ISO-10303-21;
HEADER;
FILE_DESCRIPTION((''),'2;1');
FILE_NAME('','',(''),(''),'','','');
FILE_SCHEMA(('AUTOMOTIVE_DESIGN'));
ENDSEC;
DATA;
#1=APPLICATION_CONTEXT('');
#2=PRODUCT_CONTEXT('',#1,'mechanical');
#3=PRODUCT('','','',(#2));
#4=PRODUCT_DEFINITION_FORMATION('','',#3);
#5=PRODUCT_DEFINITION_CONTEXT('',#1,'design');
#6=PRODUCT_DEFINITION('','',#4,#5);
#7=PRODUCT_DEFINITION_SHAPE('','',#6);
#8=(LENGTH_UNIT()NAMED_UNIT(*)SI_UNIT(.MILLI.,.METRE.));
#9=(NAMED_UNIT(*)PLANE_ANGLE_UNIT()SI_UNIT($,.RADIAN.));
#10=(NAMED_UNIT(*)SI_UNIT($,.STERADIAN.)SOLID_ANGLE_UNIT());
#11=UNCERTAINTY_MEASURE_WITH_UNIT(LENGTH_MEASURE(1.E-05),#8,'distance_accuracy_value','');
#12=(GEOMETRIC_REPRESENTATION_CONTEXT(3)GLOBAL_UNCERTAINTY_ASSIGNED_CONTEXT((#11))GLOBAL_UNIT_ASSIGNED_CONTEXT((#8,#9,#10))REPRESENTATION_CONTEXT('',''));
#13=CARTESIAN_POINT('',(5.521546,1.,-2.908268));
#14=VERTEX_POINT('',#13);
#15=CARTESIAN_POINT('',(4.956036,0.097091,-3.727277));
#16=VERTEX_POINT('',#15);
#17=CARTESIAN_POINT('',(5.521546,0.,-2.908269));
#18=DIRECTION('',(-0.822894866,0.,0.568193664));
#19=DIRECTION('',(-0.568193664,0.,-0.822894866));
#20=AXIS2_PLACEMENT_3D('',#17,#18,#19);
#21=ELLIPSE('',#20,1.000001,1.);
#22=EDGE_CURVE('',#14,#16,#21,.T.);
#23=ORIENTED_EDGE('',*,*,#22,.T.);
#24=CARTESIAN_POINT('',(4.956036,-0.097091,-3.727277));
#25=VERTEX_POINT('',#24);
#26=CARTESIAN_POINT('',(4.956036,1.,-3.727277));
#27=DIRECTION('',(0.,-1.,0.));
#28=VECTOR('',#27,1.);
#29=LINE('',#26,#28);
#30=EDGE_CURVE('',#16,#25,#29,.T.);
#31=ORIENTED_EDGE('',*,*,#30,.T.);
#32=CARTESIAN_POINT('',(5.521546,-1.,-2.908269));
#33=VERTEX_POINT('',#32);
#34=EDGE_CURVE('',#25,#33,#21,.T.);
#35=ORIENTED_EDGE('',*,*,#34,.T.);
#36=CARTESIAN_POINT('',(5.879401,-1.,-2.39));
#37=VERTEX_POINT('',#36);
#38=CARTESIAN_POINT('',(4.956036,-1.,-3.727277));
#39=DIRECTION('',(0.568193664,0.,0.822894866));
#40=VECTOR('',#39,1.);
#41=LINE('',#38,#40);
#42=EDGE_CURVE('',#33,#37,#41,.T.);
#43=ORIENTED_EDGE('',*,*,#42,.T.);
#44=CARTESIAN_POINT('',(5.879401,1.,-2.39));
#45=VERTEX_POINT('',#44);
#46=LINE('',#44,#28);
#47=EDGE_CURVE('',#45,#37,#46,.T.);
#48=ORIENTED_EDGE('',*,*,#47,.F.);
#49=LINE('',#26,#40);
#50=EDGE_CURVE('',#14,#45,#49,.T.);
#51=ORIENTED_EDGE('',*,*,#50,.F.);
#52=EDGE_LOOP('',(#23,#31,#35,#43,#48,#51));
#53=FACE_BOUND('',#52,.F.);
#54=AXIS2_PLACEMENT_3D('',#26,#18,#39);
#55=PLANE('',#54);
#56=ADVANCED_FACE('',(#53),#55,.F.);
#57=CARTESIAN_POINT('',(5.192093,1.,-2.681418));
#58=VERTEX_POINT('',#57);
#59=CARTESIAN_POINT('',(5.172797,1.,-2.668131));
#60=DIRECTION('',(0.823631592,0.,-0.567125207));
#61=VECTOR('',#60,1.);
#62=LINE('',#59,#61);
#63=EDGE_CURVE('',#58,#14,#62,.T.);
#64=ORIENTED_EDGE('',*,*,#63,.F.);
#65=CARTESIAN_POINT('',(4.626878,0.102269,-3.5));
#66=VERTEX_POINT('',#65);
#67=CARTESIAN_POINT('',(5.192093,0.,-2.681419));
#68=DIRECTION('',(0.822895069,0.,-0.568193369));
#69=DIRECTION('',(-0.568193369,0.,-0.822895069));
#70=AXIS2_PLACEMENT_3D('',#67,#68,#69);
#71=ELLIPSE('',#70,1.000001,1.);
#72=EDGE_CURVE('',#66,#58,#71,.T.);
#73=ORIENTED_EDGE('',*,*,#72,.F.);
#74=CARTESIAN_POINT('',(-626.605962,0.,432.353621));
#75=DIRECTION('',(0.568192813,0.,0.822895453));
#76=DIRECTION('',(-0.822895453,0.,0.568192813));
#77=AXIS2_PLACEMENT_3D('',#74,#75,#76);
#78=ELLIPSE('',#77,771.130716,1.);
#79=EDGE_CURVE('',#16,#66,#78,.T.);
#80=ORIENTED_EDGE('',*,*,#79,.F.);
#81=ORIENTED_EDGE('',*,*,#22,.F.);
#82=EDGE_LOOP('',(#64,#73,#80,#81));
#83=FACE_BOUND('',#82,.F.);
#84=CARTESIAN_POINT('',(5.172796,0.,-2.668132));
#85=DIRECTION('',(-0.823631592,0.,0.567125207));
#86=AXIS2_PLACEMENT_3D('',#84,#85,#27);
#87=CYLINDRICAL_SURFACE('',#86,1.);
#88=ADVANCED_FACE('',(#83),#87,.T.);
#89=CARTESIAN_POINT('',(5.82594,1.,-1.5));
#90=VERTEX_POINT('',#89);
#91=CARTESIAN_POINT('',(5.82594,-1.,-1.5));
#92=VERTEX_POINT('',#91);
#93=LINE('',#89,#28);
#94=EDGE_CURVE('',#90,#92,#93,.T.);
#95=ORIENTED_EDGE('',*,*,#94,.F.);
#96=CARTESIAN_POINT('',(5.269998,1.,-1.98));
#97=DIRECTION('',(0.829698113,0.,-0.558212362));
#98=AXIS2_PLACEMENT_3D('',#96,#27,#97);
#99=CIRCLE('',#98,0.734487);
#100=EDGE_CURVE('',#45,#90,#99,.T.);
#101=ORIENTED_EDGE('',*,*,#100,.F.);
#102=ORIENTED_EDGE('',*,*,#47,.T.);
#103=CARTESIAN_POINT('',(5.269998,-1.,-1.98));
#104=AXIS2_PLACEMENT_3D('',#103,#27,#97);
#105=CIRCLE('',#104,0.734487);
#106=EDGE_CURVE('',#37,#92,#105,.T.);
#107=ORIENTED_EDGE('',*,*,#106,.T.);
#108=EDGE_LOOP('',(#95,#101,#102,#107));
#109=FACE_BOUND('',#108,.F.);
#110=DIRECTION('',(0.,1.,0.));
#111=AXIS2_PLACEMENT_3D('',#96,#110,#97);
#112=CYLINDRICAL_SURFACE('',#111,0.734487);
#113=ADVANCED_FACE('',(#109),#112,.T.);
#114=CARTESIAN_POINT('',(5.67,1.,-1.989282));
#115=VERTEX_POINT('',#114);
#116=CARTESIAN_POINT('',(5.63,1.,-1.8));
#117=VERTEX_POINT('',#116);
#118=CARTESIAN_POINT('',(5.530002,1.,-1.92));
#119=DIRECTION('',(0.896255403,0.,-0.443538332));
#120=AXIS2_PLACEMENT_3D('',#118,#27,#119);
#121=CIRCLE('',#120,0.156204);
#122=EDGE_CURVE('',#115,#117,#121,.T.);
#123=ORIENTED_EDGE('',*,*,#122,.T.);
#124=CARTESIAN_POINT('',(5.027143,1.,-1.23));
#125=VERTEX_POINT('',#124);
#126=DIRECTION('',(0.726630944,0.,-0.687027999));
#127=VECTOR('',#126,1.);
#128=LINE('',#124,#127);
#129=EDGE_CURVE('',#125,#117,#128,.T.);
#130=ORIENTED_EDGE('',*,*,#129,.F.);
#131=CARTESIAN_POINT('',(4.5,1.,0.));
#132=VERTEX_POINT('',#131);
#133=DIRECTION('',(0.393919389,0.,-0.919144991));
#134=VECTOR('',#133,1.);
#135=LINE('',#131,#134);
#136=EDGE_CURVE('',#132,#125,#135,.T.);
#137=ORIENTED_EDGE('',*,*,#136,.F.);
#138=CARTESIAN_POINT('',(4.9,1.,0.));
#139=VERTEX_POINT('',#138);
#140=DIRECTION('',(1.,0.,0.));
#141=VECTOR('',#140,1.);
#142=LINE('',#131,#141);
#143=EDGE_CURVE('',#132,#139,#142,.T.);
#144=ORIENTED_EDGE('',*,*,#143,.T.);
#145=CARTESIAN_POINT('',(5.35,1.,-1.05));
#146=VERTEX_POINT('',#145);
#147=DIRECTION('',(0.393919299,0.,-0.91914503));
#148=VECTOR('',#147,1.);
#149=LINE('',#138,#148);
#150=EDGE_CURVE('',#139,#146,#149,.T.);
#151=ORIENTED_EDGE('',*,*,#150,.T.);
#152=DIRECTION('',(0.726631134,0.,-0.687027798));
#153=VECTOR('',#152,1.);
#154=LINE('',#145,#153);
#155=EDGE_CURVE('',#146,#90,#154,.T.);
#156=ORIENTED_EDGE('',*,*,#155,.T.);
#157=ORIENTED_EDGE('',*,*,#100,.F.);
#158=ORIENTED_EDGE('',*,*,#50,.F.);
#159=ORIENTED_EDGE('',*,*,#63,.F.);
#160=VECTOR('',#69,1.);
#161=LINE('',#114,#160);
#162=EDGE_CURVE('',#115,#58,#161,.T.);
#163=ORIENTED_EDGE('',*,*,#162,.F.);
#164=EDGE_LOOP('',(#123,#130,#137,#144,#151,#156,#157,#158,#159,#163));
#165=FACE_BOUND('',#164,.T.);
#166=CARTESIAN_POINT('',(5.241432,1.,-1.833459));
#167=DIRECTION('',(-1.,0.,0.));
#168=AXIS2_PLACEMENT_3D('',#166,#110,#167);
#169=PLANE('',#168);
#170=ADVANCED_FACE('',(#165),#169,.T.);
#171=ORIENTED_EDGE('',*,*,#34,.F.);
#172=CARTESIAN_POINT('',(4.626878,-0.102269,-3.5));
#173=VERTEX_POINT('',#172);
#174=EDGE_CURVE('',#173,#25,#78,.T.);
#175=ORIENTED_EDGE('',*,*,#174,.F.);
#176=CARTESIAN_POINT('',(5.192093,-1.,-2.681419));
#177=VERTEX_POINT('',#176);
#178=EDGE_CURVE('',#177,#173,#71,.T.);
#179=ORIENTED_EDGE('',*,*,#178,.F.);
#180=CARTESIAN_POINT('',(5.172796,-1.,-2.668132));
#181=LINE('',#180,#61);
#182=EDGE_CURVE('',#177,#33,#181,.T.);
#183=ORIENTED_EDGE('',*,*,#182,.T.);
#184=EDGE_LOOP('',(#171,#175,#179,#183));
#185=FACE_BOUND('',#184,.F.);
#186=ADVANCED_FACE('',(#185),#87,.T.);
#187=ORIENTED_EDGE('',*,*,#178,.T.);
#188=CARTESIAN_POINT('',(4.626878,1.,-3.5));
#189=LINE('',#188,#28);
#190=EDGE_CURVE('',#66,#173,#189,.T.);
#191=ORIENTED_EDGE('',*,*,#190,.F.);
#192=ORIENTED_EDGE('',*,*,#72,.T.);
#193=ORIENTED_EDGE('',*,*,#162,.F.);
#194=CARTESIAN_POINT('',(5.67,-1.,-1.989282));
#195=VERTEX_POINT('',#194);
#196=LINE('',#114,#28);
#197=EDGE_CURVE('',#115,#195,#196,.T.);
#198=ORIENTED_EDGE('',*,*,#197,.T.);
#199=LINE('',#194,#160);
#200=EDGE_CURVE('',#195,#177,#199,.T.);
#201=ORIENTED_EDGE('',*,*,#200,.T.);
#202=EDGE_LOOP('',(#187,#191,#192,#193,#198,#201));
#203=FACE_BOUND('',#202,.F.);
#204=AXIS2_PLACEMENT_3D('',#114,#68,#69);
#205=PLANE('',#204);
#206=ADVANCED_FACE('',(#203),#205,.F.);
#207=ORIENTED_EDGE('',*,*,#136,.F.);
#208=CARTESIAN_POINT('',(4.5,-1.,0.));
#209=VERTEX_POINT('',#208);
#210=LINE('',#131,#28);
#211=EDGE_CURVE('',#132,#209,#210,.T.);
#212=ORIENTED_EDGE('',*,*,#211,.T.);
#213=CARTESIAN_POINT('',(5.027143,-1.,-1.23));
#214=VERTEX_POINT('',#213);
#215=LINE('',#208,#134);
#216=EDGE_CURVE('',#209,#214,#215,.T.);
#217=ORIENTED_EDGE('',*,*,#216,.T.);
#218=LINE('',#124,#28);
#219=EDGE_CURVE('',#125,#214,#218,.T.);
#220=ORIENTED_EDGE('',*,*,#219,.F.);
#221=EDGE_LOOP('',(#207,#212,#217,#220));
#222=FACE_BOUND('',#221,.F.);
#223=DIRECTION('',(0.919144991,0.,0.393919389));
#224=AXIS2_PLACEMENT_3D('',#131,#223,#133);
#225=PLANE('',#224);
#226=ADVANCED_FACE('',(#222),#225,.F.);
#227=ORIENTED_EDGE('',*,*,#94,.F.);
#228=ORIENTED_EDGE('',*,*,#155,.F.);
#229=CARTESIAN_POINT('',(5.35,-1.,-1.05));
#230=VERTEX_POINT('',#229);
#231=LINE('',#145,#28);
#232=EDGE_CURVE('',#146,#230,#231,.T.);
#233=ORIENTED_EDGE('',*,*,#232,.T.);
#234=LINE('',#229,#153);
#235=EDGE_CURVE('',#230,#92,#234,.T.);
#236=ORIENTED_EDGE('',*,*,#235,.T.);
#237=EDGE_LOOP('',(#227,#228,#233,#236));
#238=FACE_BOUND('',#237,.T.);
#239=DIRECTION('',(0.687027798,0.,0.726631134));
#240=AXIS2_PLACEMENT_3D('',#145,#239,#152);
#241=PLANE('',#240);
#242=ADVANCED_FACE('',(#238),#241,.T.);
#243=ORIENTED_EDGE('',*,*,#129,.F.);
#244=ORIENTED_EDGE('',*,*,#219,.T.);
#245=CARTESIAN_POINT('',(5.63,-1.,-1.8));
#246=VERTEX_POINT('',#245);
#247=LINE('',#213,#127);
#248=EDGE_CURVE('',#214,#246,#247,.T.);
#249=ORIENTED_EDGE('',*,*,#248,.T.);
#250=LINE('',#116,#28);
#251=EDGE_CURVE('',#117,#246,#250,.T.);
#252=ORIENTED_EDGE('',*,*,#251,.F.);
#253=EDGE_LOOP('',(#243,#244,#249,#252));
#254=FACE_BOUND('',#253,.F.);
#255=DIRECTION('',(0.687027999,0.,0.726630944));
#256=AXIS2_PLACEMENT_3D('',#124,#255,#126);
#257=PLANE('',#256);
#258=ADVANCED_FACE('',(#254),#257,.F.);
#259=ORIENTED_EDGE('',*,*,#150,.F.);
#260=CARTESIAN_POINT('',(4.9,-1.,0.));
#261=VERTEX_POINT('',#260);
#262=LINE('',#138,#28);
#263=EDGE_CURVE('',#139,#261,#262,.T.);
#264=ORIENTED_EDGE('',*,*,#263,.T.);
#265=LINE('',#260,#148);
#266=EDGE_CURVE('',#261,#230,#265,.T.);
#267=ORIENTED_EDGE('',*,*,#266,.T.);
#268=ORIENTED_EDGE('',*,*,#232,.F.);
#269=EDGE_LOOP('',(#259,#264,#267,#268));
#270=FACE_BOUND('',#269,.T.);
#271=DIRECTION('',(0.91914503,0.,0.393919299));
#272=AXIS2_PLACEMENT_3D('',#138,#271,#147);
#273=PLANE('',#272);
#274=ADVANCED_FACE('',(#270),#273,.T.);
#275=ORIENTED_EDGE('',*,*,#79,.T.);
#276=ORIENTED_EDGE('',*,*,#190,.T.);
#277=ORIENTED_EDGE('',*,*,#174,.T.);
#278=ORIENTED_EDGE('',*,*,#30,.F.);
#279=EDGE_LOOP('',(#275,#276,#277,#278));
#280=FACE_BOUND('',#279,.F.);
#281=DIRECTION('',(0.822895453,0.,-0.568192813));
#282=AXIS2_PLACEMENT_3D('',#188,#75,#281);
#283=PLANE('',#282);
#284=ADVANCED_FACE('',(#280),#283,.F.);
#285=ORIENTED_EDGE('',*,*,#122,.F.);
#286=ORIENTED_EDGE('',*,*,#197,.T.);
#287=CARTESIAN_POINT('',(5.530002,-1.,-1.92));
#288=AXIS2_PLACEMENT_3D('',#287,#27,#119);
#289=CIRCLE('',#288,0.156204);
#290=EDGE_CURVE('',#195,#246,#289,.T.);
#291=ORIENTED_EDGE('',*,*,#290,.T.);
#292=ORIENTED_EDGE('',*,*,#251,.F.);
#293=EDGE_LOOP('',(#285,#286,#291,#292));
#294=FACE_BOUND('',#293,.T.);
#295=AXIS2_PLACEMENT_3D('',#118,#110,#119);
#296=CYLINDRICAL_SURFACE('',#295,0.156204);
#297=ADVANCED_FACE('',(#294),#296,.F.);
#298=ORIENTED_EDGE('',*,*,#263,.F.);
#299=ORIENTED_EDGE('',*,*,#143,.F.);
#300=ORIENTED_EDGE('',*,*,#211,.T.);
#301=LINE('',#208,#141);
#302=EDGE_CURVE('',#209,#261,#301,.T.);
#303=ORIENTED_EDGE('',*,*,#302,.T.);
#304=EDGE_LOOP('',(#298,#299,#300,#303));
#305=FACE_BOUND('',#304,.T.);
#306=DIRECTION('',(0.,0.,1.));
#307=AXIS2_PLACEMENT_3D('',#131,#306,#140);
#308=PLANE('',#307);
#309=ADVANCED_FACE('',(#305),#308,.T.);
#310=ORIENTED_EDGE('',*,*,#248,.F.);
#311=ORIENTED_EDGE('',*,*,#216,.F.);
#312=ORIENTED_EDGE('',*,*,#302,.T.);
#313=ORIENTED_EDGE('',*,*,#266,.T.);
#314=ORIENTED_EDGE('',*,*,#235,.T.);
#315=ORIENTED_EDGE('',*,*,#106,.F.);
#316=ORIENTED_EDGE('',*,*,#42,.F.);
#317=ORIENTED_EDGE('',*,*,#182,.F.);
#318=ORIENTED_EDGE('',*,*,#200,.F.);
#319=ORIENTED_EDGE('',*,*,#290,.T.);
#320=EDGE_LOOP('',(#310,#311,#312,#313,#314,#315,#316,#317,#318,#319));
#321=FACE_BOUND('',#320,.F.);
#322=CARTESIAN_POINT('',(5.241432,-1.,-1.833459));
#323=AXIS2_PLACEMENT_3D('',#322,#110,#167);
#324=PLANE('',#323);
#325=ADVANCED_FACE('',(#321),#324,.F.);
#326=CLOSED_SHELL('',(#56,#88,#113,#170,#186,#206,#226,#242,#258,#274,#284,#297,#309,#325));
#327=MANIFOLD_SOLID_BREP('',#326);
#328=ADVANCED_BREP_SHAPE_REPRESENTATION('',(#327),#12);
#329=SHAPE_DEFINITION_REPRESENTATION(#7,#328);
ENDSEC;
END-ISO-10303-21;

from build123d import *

# Parameters (mm, degrees)
PAD008_DEPTH            = 0.45
BODY008_PLACEMENT_ANGLE = 34.55
PAD006_DEPTH            = 2


with BuildPart() as body008:
    # Sketch010 → Pad008 (new body)
    with BuildSketch(Plane.YZ):
        with BuildLine():
            ThreePointArc((-1, 1.01), (0, 0.01), (1, 1.010001))
            Line((1, 0), (1, 1.010001))
            Line((-1, 0), (1, 0))
            Line((-1, 1.01), (-1, 0))
        make_face()
    extrude(amount=PAD008_DEPTH)


with BuildPart() as body008_1:
    # Body008 placement: moved
    add(body008.part.moved(Location((4.6, 0, -3.5))).rotate(Axis((4.6, 0, -3.5), (0, 1, 0)), BODY008_PLACEMENT_ANGLE))


with BuildPart() as cut003:
    # Sketch008 → Pad006 (new body)
    with BuildSketch(Plane.XZ):
        with BuildLine():
            Line((4.5, 0), (4.9, 0))
            Line((4.9, 0), (5.35, -1.05))
            Line((5.35, -1.05), (5.82594, -1.5))
            ThreePointArc((5.879401, -2.39), (6.003164, -1.93596), (5.82594, -1.5))
            Line((4.956036, -3.727277), (5.879401, -2.39))
            Line((4.626878, -3.5), (4.956036, -3.727277))
            Line((5.67, -1.989282), (4.626878, -3.5))
            ThreePointArc((5.67, -1.989282), (5.68283, -1.887703), (5.63, -1.8))
            Line((5.027143, -1.23), (5.63, -1.8))
            Line((4.5, 0), (5.027143, -1.23))
        make_face()
    extrude(amount=PAD006_DEPTH)


with BuildPart() as cut003_1:
    # Body006 placement: moved
    add(cut003.part.moved(Location((0, 1, 0))))

    # Cut003: cut Body008
    add(body008_1.part, mode=Mode.SUBTRACT)


solid = cut003_1.part
